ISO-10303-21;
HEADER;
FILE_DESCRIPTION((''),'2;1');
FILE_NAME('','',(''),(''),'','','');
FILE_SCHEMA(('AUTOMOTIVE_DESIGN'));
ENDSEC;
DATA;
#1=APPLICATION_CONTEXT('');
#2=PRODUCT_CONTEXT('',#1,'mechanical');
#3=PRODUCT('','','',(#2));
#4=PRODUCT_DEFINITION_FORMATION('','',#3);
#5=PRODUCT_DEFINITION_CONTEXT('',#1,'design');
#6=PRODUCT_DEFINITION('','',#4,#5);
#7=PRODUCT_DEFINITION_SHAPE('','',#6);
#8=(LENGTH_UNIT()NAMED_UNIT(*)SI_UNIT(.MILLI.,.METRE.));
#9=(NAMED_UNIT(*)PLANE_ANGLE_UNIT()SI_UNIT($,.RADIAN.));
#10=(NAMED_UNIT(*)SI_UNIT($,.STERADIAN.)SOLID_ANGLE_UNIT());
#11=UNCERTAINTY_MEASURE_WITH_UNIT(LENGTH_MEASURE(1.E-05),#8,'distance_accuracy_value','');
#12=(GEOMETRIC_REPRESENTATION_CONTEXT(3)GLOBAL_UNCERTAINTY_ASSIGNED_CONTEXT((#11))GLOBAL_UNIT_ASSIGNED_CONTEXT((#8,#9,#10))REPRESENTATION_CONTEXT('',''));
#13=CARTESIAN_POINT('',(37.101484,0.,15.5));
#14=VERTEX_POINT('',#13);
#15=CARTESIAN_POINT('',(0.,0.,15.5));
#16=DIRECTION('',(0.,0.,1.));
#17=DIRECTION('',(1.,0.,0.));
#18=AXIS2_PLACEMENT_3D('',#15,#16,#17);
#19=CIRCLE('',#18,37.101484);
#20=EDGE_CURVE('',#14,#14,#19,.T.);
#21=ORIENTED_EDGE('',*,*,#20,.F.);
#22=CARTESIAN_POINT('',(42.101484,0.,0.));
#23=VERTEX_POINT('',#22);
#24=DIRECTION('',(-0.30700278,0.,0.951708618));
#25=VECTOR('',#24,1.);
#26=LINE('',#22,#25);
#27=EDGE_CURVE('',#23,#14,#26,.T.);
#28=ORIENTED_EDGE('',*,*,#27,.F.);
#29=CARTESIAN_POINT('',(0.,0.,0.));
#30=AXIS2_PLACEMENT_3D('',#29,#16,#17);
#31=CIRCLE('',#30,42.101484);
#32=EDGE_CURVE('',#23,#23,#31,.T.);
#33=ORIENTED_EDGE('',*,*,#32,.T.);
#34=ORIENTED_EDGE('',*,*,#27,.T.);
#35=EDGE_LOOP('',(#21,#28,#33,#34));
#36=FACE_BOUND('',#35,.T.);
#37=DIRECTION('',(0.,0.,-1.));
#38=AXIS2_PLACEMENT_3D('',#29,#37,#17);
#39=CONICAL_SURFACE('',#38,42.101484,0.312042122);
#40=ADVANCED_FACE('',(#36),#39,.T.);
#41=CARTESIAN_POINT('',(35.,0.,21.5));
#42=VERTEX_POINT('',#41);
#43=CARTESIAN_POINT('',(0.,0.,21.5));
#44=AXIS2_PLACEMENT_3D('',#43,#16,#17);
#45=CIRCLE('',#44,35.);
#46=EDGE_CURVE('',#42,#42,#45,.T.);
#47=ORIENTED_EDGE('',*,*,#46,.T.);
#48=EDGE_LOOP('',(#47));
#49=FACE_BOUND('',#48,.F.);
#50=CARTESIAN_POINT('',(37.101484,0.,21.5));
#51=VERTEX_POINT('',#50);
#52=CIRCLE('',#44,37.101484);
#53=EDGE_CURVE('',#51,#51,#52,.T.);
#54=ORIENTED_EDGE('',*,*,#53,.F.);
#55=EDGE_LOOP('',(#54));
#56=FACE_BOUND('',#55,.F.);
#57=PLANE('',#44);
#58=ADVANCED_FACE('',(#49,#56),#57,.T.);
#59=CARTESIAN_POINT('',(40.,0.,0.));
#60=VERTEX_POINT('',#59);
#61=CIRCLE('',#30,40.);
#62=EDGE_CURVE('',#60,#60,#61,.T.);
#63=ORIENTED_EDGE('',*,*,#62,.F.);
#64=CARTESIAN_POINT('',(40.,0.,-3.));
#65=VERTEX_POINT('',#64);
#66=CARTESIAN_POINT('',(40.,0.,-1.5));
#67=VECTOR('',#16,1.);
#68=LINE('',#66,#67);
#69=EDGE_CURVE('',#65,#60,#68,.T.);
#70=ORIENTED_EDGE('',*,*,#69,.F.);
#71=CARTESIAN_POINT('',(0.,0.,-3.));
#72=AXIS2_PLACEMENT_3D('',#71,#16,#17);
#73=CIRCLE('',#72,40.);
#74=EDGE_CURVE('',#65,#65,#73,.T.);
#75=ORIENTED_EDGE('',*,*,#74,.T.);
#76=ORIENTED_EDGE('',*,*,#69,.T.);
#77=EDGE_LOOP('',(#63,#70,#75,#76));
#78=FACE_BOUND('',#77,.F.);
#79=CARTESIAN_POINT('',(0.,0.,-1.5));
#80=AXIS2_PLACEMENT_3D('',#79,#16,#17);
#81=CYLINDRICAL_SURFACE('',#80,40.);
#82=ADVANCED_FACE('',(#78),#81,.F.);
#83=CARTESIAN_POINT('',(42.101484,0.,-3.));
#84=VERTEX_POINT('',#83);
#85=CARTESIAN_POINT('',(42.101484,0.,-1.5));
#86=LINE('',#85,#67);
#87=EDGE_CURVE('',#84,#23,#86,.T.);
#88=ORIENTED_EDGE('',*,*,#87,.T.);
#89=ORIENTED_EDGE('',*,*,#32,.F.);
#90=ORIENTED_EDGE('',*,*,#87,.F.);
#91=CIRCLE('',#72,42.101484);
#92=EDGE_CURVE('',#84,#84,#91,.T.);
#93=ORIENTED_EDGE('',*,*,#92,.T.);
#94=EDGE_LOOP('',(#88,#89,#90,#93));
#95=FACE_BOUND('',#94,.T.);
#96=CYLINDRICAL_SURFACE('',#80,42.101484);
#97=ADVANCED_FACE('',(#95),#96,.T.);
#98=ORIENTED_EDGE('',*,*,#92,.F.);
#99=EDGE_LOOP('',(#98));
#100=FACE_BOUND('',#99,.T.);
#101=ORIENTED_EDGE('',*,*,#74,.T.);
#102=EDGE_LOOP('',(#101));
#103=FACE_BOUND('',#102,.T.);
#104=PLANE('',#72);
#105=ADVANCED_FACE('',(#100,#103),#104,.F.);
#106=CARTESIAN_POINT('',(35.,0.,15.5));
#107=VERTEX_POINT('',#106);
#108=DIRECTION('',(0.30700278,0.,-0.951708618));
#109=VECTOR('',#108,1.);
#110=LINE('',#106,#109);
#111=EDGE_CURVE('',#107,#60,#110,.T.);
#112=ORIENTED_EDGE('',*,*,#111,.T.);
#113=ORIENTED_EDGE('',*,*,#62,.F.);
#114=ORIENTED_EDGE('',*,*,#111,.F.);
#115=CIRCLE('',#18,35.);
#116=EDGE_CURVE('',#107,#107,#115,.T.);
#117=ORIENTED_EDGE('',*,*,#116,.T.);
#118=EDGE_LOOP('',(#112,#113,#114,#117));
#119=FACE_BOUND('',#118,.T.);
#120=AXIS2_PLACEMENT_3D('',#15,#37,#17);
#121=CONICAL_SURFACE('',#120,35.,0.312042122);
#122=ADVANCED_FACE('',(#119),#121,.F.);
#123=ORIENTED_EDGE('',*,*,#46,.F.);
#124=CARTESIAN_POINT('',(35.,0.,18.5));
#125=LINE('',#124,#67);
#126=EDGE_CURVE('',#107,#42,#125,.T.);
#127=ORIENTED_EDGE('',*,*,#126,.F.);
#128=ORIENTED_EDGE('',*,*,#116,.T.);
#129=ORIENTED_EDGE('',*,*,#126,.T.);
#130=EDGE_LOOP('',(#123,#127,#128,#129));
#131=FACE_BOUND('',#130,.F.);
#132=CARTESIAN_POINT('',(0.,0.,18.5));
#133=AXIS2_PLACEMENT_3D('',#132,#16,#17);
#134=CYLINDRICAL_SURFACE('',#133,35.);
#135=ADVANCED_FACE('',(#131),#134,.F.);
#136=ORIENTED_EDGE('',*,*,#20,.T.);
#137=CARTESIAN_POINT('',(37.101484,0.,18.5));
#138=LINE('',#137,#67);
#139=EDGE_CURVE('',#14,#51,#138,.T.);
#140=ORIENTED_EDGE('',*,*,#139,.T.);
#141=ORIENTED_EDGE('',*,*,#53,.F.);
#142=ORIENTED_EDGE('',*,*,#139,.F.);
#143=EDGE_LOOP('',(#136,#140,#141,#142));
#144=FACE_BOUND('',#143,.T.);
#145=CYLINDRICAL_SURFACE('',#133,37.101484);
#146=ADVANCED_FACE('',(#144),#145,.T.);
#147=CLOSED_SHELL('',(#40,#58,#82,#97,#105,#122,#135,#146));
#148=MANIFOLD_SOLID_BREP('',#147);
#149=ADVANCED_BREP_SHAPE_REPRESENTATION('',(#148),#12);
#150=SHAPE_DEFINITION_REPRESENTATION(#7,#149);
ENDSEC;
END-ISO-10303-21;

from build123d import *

# Parameters (mm, degrees)
F0_W   = 2.101484
F0_H   = 6
F0_H_2 = 3


with BuildPart() as f1:
    # F0 (on Front) → F1 (revolve)
    with BuildSketch(Plane.XZ):
        with Locations((36.050742, 18.5)):
            Rectangle(F0_W, F0_H)
        Polygon((35, 15.5), (40, 0), (42.101484, 0), (37.101484, 15.5), align=None)
        with Locations((41.050742, -1.5)):
            Rectangle(F0_W, F0_H_2)
    revolve(axis=Axis((0, 0, 7.75), (0, 0, 1)))


solid = f1.part
